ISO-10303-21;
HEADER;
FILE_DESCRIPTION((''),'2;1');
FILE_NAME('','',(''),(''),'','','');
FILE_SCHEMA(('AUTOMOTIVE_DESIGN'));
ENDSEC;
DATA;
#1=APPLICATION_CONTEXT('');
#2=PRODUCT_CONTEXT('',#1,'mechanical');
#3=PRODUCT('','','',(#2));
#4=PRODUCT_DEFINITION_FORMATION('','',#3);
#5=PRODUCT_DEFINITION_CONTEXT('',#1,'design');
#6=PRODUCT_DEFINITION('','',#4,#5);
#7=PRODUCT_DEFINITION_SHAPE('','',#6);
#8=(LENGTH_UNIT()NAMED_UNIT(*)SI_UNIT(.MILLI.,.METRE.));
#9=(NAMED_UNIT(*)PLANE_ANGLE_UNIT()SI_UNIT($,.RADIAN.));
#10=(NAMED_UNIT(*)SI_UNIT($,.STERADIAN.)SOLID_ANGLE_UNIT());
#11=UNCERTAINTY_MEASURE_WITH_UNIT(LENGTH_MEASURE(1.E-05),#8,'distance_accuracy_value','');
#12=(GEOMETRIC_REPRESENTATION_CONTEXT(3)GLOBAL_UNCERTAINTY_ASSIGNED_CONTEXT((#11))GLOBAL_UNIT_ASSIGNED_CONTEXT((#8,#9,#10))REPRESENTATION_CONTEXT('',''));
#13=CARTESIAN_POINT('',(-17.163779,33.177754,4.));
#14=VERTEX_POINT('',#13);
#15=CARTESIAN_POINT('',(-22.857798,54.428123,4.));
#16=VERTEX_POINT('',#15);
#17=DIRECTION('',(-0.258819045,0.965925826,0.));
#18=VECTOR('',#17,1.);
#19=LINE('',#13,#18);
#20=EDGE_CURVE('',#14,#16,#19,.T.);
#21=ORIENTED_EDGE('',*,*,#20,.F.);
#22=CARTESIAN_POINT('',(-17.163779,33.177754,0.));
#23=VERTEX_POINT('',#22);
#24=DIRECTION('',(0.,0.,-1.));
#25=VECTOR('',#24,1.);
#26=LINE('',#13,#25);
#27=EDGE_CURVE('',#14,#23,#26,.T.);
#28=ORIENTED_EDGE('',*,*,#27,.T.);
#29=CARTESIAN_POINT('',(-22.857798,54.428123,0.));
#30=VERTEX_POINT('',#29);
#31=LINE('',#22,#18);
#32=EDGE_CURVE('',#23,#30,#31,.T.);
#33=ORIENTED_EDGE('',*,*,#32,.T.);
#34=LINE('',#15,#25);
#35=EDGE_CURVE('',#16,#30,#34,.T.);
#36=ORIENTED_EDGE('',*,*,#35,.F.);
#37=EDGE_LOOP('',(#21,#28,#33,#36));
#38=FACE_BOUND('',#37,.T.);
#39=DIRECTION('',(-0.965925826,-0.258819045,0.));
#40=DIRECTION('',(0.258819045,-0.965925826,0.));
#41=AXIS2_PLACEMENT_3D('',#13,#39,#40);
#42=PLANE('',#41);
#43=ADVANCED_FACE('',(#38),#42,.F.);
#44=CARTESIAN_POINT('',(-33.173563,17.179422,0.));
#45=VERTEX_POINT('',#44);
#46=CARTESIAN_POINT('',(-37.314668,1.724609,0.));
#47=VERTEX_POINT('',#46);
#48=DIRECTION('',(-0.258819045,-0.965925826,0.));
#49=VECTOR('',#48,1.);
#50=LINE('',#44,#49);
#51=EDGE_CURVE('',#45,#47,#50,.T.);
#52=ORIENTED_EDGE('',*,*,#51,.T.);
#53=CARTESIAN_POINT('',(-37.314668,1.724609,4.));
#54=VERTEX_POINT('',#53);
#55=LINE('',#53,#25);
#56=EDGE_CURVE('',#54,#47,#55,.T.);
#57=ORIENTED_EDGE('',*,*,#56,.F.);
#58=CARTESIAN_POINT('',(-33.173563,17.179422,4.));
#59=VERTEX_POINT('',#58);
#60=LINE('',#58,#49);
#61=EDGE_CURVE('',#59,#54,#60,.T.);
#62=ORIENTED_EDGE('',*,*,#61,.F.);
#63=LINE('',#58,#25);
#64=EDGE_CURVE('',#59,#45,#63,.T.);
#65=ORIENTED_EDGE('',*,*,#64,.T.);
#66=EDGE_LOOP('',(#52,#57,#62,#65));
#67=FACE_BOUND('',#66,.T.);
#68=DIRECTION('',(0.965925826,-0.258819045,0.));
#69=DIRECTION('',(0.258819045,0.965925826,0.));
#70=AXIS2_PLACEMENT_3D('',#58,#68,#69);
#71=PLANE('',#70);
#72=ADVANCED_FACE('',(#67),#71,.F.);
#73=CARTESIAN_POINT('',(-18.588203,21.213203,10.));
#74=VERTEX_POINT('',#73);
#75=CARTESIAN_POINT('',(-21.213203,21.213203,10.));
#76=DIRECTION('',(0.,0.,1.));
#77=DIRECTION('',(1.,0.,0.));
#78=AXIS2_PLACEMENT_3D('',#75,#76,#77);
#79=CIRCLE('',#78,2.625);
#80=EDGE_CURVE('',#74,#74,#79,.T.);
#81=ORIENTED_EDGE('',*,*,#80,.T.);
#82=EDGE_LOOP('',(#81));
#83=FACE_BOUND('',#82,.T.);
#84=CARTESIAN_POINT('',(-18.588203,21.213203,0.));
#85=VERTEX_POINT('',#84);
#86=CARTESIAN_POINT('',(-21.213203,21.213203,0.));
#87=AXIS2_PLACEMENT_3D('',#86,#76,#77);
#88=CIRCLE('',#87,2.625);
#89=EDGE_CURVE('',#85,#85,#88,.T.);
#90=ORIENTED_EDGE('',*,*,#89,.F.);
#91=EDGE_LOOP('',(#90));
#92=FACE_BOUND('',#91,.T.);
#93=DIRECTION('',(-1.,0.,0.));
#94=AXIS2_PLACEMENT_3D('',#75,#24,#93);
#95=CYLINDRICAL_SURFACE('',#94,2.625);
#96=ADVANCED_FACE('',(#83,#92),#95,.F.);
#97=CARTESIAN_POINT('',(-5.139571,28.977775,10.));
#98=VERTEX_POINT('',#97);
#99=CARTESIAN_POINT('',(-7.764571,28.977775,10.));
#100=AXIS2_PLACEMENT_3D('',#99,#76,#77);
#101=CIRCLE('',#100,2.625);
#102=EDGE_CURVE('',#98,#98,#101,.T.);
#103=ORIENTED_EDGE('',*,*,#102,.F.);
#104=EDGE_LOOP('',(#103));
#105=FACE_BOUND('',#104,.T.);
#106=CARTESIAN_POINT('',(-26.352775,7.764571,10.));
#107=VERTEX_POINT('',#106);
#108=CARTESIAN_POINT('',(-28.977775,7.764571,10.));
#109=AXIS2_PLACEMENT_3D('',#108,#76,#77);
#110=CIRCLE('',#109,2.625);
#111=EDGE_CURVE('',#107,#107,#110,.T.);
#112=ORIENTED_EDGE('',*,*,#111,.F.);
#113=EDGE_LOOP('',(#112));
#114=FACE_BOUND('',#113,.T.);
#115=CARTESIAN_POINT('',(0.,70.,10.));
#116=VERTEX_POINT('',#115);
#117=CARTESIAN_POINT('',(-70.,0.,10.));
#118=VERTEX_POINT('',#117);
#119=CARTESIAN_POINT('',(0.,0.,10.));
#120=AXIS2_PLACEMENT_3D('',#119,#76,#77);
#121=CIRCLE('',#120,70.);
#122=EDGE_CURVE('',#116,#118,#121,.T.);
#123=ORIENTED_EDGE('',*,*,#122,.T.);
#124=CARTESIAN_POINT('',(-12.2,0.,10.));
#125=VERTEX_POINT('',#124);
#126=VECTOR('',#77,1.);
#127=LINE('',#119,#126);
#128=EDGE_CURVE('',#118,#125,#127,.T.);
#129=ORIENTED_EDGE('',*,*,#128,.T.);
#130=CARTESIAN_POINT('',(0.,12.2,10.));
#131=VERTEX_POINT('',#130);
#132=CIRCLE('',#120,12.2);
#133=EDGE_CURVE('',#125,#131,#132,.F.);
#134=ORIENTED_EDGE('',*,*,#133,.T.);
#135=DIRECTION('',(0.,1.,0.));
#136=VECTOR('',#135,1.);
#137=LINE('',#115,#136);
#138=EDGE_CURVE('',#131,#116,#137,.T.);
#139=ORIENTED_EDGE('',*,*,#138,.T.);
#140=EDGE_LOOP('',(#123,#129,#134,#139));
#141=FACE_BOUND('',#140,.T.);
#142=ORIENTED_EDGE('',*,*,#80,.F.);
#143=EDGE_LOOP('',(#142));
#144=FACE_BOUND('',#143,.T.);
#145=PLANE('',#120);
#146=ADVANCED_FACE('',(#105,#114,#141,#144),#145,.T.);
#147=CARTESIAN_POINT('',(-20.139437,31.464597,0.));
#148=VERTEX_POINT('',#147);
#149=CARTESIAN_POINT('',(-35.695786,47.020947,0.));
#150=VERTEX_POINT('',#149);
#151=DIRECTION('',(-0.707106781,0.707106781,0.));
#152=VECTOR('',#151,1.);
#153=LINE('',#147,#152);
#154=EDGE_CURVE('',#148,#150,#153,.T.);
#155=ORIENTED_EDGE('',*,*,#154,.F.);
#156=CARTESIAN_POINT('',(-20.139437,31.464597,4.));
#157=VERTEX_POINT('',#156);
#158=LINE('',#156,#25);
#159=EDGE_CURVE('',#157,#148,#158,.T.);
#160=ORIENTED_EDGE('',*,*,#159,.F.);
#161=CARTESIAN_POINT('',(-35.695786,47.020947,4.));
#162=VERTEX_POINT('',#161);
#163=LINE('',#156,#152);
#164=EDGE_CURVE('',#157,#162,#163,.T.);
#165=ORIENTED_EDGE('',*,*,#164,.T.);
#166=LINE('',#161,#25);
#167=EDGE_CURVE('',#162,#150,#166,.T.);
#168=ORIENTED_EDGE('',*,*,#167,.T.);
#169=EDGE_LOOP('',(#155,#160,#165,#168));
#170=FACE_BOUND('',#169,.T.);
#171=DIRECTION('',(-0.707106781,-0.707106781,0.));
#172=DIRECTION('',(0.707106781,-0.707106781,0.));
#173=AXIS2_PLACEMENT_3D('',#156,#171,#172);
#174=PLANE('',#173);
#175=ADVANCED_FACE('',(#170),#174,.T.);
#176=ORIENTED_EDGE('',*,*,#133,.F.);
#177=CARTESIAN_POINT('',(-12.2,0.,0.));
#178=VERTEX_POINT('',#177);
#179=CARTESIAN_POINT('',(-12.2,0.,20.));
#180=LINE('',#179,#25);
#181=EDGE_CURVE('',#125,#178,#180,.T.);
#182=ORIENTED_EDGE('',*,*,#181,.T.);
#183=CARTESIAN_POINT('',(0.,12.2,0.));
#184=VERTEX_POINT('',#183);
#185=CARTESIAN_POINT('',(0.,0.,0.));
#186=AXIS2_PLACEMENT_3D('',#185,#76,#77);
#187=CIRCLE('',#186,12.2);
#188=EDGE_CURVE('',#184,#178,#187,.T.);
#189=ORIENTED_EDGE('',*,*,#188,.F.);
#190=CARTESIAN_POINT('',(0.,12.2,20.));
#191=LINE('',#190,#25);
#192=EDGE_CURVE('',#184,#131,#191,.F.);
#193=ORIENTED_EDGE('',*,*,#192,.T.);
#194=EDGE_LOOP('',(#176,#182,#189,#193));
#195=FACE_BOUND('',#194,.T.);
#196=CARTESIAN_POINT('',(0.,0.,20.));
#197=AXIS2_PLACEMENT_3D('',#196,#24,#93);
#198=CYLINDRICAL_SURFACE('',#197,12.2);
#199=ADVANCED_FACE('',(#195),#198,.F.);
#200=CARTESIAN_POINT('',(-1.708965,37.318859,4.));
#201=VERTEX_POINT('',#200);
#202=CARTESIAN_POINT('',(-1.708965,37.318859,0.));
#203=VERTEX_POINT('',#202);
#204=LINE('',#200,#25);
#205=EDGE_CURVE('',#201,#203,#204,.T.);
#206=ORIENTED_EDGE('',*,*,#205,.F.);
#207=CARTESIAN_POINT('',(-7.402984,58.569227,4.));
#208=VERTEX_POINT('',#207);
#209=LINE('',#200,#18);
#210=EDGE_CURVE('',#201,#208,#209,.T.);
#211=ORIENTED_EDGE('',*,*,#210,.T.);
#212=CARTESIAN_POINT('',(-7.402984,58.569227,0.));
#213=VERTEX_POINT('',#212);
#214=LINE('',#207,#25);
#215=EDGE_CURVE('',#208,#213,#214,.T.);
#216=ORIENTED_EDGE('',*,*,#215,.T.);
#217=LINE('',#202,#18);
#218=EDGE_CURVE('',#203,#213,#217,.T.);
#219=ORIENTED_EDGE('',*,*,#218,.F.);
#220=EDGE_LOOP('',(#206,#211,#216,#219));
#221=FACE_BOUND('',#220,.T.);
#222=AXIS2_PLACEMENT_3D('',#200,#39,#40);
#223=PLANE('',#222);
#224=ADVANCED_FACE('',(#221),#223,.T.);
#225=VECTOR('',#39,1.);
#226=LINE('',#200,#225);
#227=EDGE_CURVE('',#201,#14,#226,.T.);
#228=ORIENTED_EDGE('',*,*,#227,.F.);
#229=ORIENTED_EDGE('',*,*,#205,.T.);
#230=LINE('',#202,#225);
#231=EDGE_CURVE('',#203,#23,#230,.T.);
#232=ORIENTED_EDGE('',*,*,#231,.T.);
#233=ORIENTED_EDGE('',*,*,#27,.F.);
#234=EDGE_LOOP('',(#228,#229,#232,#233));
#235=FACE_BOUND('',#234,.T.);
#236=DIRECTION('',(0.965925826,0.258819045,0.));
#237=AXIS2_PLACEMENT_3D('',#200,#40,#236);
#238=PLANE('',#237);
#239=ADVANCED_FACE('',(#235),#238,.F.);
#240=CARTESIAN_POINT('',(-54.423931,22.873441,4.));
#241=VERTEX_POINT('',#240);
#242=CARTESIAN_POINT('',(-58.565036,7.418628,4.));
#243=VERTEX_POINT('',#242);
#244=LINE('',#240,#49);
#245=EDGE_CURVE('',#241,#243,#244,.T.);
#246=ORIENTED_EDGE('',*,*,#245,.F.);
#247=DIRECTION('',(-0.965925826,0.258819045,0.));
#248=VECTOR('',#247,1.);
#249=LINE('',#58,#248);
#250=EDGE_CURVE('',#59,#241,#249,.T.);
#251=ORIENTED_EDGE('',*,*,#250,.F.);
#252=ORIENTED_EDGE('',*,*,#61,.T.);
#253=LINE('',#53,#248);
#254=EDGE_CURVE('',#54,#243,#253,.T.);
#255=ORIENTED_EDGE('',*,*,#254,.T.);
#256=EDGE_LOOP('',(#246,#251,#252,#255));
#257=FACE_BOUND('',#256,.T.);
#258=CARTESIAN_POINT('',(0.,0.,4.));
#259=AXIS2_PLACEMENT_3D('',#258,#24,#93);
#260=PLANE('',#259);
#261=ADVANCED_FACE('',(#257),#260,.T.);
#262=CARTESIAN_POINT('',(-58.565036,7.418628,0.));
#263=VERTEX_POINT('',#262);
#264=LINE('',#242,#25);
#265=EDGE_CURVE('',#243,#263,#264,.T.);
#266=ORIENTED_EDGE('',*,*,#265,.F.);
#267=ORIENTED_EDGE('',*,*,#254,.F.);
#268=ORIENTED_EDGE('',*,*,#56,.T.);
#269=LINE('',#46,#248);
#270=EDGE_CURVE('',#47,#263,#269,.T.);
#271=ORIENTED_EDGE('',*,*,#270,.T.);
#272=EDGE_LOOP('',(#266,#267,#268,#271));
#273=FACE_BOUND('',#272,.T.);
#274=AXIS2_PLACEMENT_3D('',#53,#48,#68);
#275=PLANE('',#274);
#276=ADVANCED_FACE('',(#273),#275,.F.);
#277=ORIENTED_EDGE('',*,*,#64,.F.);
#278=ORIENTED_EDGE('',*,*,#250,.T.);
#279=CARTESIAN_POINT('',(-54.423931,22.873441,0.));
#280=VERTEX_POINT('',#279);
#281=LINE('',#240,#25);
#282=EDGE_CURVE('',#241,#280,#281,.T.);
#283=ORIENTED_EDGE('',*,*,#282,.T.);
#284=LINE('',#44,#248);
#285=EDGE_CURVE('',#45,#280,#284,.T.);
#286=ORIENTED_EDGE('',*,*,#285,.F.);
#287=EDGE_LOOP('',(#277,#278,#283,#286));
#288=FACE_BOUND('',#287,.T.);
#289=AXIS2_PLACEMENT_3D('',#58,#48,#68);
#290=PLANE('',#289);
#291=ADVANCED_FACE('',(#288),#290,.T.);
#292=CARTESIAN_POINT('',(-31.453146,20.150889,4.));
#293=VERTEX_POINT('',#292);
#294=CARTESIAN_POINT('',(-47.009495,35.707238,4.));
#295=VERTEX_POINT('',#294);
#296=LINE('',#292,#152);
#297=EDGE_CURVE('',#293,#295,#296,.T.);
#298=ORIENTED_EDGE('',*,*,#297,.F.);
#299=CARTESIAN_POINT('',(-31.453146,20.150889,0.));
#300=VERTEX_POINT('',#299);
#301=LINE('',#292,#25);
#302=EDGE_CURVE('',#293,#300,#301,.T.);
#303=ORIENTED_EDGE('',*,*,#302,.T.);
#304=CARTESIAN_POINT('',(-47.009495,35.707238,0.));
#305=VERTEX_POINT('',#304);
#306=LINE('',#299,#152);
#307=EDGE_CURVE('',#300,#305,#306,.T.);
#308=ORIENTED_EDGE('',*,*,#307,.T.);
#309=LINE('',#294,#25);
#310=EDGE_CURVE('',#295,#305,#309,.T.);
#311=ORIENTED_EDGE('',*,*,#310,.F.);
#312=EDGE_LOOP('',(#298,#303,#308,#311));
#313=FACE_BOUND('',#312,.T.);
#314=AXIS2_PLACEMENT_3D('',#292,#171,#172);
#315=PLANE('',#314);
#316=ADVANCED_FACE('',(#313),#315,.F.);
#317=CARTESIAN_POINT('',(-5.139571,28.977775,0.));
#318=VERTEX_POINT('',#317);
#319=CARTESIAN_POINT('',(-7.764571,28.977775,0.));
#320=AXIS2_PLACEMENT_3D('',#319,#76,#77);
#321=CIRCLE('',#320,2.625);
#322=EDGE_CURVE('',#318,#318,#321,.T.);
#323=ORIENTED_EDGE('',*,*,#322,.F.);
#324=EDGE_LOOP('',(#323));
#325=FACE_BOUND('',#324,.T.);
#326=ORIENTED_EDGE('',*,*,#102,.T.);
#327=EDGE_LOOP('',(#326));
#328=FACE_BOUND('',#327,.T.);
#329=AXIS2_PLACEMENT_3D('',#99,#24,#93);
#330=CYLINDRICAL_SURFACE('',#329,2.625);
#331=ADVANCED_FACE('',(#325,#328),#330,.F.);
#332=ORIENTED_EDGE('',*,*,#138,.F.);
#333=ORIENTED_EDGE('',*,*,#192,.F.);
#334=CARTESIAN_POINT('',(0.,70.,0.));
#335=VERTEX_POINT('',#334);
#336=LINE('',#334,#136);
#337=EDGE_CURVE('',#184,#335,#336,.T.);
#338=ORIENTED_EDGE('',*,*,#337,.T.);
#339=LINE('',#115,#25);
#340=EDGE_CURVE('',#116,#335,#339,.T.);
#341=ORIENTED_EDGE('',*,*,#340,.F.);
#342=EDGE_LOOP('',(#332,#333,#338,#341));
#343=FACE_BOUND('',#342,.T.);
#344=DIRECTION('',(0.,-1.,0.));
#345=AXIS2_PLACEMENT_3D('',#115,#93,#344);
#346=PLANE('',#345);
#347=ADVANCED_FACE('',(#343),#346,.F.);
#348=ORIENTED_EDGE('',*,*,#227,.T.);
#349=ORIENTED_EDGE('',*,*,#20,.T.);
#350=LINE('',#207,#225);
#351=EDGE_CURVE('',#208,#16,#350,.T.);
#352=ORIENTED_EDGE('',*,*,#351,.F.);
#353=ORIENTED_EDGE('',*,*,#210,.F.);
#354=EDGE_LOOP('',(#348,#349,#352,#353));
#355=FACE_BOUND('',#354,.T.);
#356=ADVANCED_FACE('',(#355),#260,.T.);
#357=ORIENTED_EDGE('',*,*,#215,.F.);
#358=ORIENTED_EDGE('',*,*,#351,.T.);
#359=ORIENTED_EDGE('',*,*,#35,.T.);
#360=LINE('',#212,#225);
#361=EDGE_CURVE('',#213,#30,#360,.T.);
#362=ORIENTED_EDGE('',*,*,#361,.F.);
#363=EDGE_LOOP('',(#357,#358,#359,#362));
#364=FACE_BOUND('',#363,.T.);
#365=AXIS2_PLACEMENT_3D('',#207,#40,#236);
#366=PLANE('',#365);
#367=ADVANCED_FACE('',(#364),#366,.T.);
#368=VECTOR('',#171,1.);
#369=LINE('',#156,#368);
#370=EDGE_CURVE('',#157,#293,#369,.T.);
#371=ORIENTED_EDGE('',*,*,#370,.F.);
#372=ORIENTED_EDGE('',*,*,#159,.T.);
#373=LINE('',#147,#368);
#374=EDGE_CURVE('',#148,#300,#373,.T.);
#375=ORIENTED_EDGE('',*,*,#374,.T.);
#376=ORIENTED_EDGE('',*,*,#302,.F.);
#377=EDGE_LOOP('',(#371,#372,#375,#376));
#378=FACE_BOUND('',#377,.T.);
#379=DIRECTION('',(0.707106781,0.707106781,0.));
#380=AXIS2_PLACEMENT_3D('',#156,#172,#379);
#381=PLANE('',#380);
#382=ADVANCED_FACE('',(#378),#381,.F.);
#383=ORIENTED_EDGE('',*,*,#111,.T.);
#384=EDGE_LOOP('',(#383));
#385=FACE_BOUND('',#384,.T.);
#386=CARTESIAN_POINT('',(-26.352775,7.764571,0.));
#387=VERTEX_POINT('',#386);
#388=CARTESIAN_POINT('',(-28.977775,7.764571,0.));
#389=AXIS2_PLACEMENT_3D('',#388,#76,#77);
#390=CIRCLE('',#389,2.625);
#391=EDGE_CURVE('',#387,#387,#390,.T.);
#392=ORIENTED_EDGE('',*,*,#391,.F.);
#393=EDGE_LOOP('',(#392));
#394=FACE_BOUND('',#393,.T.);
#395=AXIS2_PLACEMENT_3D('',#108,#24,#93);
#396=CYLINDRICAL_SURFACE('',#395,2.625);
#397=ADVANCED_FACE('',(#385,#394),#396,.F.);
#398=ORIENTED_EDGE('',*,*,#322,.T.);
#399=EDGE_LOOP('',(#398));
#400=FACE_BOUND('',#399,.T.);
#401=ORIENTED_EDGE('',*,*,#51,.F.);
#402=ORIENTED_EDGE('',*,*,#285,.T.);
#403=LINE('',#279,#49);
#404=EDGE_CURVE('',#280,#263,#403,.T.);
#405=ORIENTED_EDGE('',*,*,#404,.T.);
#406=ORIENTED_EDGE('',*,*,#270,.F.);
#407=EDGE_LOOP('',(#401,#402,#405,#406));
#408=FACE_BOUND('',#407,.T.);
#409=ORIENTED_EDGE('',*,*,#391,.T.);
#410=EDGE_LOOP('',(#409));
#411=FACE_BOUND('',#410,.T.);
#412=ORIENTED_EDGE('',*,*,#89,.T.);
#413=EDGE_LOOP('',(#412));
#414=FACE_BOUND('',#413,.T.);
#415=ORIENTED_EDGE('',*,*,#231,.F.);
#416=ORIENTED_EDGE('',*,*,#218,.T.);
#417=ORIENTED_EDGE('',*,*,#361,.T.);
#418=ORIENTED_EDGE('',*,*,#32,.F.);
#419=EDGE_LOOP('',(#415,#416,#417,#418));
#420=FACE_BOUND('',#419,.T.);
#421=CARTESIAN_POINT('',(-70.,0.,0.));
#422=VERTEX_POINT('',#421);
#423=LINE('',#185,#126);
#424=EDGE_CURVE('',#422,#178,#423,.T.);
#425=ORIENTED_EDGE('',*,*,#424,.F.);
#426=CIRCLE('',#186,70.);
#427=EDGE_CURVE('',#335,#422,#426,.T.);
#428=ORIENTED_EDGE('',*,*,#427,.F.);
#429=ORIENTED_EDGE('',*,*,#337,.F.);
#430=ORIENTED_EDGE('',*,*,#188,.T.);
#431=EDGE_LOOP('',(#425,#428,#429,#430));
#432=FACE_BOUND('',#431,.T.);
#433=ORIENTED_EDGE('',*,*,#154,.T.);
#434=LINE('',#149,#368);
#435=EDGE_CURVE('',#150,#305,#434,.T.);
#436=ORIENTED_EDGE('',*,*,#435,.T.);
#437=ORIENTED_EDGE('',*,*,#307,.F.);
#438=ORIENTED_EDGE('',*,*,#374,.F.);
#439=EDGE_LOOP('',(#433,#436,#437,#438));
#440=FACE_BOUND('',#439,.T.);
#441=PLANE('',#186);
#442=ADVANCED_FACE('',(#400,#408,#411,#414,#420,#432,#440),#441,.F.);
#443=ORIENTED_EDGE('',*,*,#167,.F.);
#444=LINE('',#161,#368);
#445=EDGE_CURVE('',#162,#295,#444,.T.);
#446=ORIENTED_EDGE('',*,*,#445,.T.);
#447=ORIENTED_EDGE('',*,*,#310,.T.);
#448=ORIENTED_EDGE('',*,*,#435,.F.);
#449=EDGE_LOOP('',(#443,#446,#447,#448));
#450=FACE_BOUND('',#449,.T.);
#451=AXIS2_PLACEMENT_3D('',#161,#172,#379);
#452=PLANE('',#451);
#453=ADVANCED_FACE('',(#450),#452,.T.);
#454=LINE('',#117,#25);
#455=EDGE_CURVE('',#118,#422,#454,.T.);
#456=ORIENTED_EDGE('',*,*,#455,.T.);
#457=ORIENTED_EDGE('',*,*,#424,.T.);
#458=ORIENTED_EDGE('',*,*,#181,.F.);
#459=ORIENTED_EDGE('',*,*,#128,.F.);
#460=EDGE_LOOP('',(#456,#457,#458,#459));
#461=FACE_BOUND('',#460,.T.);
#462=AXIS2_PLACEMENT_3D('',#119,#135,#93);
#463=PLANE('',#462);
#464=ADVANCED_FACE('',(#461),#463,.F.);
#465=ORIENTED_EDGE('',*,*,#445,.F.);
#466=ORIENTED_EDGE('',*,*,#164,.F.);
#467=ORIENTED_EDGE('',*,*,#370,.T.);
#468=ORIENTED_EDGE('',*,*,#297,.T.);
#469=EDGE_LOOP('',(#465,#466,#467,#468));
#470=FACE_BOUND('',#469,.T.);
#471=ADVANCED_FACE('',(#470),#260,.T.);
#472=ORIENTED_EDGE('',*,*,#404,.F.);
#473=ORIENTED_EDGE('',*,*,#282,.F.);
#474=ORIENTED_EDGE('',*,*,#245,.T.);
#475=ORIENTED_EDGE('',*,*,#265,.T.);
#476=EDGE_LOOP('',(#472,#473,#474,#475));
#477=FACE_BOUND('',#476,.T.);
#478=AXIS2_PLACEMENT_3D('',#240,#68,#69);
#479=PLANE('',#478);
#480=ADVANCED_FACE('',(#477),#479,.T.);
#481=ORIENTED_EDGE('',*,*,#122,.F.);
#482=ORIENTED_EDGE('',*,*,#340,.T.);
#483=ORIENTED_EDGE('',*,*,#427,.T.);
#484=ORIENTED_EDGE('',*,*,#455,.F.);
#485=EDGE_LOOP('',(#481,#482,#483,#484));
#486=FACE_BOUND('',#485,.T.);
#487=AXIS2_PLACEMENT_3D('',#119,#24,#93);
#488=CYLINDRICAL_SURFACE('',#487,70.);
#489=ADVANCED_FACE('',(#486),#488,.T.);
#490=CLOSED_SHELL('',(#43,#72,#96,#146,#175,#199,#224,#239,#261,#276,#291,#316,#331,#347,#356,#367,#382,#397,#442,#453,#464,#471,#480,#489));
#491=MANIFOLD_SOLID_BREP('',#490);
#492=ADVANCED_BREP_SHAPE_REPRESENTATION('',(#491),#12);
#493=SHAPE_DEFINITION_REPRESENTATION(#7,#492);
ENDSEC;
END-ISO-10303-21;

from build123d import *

# Parameters (mm, degrees)
BOSS_EXTRUDE1_DEPTH = 10
SKETCH2_R           = 2.625
CUT_EXTRUDE1_DEPTH  = 100.49874371
SKETCH3_R           = 12.2
CUT_EXTRUDE2_DEPTH  = 20
CUT_EXTRUDE3_DEPTH  = 4


with BuildPart() as part:
    # Sketch1 → Boss-Extrude1 (new body)
    with BuildSketch(Plane.XY):
        with BuildLine():
            Line((0, 70), (0, 0))
            Line((0, 0), (-70, 0))
            ThreePointArc((-70, 0), (-49.497474683, 49.497474683), (0, 70))
        make_face()
    extrude(amount=BOSS_EXTRUDE1_DEPTH)

    # Sketch2 → Cut-Extrude1 (cut, through all)
    with BuildSketch(Plane.XY):
        with Locations((-7.76457135, 28.97777479)):
            Circle(SKETCH2_R)
        with Locations((-21.213203434, 21.213203438)):
            Circle(SKETCH2_R)
        with Locations((-28.977774788, 7.764571356)):
            Circle(SKETCH2_R)
    extrude(amount=CUT_EXTRUDE1_DEPTH, mode=Mode.SUBTRACT)

    # Sketch3 → Cut-Extrude2 (cut)
    with BuildSketch(Plane.XY):
        Circle(SKETCH3_R)
    extrude(amount=CUT_EXTRUDE2_DEPTH, mode=Mode.SUBTRACT)

    # Sketch4 → Cut-Extrude3 (cut)
    with BuildSketch(Plane.XY):
        Polygon((-20.139437084, 31.464597344), (-35.69578627, 47.02094653), (-47.009494769, 35.707238031), (-31.453145583, 20.150888845), align=None)
        Polygon((-1.708965461, 37.318859162), (-17.163778681, 33.17775444), (-22.857797674, 54.428122618), (-7.402984453, 58.56922734), align=None)
        Polygon((-33.173562805, 17.179422078), (-54.423930983, 22.87344107), (-58.565035705, 7.418627849), (-37.314667526, 1.724608857), align=None)
    extrude(amount=CUT_EXTRUDE3_DEPTH, mode=Mode.SUBTRACT)


solid = part.part
